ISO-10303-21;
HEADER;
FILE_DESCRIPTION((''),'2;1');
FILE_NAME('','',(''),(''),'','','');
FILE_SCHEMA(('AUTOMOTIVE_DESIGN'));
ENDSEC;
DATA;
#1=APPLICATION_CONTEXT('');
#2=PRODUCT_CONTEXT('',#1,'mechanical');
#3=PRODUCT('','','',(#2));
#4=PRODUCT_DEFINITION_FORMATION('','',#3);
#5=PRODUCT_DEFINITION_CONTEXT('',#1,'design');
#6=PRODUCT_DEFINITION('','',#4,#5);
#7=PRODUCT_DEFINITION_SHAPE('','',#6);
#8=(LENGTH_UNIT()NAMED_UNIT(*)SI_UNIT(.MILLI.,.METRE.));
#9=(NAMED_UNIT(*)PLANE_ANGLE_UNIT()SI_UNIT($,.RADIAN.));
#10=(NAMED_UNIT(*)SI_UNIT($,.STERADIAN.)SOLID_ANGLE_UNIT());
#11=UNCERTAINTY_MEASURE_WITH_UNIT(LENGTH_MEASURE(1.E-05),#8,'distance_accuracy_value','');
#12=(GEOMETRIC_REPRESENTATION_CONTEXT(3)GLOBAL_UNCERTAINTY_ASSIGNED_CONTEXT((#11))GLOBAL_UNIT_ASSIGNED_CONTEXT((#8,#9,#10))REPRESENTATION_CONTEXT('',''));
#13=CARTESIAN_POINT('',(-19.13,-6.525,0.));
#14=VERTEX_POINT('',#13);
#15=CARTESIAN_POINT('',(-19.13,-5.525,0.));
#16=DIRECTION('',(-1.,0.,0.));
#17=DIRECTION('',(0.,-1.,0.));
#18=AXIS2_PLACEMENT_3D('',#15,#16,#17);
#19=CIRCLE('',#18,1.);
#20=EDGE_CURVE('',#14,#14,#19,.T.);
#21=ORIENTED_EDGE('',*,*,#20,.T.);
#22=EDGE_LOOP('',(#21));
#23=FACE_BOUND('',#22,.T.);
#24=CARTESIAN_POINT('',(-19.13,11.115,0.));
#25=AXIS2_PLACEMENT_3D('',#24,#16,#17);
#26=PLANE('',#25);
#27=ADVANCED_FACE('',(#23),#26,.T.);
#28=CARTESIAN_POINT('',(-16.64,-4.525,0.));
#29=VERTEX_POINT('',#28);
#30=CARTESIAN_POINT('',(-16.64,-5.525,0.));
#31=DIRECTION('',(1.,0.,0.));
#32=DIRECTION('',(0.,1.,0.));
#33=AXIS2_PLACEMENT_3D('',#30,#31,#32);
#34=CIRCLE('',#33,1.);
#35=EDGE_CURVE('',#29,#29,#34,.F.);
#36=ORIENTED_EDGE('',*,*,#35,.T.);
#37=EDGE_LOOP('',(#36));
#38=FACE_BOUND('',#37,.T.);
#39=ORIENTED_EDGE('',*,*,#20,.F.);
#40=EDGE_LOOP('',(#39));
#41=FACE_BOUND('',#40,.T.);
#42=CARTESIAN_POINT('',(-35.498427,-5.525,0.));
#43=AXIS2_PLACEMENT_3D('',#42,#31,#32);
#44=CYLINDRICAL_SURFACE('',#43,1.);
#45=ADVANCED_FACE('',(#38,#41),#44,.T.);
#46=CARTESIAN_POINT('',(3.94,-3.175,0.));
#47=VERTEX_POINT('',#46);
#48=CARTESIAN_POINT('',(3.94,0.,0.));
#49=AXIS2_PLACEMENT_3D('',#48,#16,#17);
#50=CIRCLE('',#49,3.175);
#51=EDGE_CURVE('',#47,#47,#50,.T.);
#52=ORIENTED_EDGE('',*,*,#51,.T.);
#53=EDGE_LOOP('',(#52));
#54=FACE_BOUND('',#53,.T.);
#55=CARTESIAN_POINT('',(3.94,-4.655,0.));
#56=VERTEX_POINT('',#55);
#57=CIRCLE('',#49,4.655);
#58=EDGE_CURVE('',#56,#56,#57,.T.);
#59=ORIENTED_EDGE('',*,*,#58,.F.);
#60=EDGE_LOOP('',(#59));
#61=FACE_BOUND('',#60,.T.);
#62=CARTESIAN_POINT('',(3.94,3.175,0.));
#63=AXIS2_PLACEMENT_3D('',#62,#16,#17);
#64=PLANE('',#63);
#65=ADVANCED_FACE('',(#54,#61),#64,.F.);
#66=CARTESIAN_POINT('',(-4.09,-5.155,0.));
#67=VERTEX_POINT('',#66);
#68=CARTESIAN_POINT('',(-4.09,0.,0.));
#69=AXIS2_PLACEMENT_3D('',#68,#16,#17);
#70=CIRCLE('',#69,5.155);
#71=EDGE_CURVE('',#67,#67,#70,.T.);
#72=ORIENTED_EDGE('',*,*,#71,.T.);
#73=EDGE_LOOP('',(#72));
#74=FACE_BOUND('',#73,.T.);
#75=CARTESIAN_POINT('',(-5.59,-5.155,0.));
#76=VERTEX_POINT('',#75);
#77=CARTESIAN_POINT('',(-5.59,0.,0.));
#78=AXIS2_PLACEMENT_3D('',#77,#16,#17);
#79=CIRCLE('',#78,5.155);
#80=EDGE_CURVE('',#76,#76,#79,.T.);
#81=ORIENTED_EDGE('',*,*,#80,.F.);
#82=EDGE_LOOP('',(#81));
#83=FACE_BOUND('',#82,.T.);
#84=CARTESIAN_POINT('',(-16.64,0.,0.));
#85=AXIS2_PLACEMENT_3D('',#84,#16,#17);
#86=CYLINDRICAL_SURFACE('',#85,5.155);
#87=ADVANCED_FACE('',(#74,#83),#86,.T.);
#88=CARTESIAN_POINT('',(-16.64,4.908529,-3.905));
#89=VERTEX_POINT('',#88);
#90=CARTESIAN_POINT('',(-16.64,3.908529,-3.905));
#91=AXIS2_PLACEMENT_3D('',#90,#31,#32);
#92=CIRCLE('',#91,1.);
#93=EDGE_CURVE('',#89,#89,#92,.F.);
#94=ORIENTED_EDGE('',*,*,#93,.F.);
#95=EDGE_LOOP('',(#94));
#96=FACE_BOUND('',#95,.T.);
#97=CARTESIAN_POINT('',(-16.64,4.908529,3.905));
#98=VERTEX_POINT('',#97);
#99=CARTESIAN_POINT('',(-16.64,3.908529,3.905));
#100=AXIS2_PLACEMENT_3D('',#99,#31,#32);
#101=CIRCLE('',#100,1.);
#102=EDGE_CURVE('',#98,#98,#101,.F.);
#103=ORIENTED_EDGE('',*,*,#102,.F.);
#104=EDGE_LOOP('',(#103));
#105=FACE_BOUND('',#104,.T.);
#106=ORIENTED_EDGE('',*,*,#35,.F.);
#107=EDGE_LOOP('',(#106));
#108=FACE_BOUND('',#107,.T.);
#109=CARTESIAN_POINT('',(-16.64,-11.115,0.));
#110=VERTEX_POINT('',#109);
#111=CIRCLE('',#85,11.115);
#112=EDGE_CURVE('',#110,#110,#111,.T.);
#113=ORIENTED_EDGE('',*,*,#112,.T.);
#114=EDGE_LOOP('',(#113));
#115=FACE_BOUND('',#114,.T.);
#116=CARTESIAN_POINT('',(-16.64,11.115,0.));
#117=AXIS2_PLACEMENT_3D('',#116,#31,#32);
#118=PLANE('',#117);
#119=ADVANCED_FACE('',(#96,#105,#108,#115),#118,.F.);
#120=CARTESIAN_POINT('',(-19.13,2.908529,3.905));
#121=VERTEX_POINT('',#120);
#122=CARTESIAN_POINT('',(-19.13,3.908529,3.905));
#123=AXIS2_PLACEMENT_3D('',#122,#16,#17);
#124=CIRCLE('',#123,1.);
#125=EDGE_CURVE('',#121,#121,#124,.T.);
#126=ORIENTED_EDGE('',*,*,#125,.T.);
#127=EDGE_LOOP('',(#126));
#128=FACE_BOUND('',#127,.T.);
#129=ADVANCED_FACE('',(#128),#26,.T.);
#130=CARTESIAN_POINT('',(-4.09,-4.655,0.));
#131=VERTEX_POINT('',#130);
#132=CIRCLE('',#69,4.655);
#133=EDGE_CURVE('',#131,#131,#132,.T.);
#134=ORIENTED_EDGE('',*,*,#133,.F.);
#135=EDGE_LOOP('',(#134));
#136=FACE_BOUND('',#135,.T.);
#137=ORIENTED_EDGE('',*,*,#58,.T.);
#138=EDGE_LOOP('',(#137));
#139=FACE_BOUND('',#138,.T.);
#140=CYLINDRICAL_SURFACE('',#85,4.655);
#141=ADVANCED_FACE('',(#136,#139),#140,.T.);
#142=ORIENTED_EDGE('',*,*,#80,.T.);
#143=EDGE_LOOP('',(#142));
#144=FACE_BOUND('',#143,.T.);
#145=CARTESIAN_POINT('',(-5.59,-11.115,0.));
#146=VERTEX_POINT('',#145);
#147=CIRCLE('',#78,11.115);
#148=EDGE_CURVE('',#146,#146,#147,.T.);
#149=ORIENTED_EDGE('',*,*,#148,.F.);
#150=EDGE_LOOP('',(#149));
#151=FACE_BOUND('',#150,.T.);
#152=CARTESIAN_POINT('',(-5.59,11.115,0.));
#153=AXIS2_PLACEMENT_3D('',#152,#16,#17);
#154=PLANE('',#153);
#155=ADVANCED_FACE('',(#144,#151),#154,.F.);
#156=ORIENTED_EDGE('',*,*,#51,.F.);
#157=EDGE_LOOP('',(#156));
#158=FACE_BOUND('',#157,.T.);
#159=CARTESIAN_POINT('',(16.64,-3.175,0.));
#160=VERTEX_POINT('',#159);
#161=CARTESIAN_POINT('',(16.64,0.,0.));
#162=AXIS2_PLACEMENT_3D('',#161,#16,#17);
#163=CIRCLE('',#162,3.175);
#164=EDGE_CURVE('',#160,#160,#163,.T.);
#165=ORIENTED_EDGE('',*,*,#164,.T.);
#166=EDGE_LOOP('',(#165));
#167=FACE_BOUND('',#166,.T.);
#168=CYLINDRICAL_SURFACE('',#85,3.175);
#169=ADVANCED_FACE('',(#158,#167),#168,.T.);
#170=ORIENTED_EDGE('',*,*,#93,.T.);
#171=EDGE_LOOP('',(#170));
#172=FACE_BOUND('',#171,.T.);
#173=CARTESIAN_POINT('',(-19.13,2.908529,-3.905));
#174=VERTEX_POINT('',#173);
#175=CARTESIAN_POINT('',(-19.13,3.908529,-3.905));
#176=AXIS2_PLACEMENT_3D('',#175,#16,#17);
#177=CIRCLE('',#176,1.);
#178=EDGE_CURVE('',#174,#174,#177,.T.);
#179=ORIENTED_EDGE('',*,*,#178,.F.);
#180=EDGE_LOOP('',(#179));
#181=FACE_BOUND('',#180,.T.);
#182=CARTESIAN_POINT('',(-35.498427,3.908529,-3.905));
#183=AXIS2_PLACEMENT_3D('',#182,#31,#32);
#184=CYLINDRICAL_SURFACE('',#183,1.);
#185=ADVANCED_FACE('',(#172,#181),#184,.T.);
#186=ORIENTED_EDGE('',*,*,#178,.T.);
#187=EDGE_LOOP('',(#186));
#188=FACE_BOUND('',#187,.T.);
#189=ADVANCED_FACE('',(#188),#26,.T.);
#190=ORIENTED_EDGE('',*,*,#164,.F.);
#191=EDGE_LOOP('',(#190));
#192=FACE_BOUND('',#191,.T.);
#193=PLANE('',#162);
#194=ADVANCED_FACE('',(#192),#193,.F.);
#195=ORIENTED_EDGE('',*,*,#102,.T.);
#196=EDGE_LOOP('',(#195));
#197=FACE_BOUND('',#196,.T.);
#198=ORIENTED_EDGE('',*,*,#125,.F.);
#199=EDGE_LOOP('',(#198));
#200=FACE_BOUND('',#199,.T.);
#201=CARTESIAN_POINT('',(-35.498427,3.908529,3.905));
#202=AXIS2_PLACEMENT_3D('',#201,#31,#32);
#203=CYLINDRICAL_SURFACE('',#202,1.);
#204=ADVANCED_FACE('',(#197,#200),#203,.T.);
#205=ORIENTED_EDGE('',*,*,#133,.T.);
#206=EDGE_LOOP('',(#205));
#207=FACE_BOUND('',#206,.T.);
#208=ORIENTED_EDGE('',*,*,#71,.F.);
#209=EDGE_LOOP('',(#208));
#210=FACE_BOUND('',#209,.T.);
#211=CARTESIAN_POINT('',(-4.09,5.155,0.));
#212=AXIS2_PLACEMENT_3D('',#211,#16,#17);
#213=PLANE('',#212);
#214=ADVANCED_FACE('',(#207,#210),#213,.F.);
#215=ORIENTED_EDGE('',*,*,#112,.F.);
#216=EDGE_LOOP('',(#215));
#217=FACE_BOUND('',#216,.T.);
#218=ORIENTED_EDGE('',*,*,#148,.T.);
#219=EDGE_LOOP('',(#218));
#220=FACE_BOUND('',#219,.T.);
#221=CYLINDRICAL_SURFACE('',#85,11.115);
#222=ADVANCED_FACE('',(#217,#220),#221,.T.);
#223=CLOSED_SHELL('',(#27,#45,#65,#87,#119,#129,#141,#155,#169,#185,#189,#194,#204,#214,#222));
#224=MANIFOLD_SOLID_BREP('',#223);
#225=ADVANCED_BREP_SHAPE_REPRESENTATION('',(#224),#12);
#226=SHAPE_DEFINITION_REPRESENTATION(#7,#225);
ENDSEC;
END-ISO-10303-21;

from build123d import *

# Parameters (mm, degrees)
SKETCH2_R           = 1
BOSS_EXTRUDE1_DEPTH = 2.49


with BuildPart() as part:
    # Sketch1 → Revolve1 (revolve)
    with BuildSketch(Plane.XY):
        Polygon((-16.64, 0), (16.64, 0), (16.64, 3.175), (3.94, 3.175), (3.94, 4.655), (-4.09, 4.655), (-4.09, 5.155), (-5.59, 5.155), (-5.59, 11.115), (-16.64, 11.115), align=None)
    revolve(axis=Axis((-16.64, 0, 0), (1, 0, 0)))

    # Sketch2 → Boss-Extrude1 (add)
    with BuildSketch(Plane.ZY.offset(16.64)):
        with Locations((-3.905, 3.908529135)):
            Circle(SKETCH2_R)
        with Locations((3.905, 3.908529135)):
            Circle(SKETCH2_R)
        with Locations((0, -5.525)):
            Circle(SKETCH2_R)
    extrude(amount=BOSS_EXTRUDE1_DEPTH)


solid = part.part
